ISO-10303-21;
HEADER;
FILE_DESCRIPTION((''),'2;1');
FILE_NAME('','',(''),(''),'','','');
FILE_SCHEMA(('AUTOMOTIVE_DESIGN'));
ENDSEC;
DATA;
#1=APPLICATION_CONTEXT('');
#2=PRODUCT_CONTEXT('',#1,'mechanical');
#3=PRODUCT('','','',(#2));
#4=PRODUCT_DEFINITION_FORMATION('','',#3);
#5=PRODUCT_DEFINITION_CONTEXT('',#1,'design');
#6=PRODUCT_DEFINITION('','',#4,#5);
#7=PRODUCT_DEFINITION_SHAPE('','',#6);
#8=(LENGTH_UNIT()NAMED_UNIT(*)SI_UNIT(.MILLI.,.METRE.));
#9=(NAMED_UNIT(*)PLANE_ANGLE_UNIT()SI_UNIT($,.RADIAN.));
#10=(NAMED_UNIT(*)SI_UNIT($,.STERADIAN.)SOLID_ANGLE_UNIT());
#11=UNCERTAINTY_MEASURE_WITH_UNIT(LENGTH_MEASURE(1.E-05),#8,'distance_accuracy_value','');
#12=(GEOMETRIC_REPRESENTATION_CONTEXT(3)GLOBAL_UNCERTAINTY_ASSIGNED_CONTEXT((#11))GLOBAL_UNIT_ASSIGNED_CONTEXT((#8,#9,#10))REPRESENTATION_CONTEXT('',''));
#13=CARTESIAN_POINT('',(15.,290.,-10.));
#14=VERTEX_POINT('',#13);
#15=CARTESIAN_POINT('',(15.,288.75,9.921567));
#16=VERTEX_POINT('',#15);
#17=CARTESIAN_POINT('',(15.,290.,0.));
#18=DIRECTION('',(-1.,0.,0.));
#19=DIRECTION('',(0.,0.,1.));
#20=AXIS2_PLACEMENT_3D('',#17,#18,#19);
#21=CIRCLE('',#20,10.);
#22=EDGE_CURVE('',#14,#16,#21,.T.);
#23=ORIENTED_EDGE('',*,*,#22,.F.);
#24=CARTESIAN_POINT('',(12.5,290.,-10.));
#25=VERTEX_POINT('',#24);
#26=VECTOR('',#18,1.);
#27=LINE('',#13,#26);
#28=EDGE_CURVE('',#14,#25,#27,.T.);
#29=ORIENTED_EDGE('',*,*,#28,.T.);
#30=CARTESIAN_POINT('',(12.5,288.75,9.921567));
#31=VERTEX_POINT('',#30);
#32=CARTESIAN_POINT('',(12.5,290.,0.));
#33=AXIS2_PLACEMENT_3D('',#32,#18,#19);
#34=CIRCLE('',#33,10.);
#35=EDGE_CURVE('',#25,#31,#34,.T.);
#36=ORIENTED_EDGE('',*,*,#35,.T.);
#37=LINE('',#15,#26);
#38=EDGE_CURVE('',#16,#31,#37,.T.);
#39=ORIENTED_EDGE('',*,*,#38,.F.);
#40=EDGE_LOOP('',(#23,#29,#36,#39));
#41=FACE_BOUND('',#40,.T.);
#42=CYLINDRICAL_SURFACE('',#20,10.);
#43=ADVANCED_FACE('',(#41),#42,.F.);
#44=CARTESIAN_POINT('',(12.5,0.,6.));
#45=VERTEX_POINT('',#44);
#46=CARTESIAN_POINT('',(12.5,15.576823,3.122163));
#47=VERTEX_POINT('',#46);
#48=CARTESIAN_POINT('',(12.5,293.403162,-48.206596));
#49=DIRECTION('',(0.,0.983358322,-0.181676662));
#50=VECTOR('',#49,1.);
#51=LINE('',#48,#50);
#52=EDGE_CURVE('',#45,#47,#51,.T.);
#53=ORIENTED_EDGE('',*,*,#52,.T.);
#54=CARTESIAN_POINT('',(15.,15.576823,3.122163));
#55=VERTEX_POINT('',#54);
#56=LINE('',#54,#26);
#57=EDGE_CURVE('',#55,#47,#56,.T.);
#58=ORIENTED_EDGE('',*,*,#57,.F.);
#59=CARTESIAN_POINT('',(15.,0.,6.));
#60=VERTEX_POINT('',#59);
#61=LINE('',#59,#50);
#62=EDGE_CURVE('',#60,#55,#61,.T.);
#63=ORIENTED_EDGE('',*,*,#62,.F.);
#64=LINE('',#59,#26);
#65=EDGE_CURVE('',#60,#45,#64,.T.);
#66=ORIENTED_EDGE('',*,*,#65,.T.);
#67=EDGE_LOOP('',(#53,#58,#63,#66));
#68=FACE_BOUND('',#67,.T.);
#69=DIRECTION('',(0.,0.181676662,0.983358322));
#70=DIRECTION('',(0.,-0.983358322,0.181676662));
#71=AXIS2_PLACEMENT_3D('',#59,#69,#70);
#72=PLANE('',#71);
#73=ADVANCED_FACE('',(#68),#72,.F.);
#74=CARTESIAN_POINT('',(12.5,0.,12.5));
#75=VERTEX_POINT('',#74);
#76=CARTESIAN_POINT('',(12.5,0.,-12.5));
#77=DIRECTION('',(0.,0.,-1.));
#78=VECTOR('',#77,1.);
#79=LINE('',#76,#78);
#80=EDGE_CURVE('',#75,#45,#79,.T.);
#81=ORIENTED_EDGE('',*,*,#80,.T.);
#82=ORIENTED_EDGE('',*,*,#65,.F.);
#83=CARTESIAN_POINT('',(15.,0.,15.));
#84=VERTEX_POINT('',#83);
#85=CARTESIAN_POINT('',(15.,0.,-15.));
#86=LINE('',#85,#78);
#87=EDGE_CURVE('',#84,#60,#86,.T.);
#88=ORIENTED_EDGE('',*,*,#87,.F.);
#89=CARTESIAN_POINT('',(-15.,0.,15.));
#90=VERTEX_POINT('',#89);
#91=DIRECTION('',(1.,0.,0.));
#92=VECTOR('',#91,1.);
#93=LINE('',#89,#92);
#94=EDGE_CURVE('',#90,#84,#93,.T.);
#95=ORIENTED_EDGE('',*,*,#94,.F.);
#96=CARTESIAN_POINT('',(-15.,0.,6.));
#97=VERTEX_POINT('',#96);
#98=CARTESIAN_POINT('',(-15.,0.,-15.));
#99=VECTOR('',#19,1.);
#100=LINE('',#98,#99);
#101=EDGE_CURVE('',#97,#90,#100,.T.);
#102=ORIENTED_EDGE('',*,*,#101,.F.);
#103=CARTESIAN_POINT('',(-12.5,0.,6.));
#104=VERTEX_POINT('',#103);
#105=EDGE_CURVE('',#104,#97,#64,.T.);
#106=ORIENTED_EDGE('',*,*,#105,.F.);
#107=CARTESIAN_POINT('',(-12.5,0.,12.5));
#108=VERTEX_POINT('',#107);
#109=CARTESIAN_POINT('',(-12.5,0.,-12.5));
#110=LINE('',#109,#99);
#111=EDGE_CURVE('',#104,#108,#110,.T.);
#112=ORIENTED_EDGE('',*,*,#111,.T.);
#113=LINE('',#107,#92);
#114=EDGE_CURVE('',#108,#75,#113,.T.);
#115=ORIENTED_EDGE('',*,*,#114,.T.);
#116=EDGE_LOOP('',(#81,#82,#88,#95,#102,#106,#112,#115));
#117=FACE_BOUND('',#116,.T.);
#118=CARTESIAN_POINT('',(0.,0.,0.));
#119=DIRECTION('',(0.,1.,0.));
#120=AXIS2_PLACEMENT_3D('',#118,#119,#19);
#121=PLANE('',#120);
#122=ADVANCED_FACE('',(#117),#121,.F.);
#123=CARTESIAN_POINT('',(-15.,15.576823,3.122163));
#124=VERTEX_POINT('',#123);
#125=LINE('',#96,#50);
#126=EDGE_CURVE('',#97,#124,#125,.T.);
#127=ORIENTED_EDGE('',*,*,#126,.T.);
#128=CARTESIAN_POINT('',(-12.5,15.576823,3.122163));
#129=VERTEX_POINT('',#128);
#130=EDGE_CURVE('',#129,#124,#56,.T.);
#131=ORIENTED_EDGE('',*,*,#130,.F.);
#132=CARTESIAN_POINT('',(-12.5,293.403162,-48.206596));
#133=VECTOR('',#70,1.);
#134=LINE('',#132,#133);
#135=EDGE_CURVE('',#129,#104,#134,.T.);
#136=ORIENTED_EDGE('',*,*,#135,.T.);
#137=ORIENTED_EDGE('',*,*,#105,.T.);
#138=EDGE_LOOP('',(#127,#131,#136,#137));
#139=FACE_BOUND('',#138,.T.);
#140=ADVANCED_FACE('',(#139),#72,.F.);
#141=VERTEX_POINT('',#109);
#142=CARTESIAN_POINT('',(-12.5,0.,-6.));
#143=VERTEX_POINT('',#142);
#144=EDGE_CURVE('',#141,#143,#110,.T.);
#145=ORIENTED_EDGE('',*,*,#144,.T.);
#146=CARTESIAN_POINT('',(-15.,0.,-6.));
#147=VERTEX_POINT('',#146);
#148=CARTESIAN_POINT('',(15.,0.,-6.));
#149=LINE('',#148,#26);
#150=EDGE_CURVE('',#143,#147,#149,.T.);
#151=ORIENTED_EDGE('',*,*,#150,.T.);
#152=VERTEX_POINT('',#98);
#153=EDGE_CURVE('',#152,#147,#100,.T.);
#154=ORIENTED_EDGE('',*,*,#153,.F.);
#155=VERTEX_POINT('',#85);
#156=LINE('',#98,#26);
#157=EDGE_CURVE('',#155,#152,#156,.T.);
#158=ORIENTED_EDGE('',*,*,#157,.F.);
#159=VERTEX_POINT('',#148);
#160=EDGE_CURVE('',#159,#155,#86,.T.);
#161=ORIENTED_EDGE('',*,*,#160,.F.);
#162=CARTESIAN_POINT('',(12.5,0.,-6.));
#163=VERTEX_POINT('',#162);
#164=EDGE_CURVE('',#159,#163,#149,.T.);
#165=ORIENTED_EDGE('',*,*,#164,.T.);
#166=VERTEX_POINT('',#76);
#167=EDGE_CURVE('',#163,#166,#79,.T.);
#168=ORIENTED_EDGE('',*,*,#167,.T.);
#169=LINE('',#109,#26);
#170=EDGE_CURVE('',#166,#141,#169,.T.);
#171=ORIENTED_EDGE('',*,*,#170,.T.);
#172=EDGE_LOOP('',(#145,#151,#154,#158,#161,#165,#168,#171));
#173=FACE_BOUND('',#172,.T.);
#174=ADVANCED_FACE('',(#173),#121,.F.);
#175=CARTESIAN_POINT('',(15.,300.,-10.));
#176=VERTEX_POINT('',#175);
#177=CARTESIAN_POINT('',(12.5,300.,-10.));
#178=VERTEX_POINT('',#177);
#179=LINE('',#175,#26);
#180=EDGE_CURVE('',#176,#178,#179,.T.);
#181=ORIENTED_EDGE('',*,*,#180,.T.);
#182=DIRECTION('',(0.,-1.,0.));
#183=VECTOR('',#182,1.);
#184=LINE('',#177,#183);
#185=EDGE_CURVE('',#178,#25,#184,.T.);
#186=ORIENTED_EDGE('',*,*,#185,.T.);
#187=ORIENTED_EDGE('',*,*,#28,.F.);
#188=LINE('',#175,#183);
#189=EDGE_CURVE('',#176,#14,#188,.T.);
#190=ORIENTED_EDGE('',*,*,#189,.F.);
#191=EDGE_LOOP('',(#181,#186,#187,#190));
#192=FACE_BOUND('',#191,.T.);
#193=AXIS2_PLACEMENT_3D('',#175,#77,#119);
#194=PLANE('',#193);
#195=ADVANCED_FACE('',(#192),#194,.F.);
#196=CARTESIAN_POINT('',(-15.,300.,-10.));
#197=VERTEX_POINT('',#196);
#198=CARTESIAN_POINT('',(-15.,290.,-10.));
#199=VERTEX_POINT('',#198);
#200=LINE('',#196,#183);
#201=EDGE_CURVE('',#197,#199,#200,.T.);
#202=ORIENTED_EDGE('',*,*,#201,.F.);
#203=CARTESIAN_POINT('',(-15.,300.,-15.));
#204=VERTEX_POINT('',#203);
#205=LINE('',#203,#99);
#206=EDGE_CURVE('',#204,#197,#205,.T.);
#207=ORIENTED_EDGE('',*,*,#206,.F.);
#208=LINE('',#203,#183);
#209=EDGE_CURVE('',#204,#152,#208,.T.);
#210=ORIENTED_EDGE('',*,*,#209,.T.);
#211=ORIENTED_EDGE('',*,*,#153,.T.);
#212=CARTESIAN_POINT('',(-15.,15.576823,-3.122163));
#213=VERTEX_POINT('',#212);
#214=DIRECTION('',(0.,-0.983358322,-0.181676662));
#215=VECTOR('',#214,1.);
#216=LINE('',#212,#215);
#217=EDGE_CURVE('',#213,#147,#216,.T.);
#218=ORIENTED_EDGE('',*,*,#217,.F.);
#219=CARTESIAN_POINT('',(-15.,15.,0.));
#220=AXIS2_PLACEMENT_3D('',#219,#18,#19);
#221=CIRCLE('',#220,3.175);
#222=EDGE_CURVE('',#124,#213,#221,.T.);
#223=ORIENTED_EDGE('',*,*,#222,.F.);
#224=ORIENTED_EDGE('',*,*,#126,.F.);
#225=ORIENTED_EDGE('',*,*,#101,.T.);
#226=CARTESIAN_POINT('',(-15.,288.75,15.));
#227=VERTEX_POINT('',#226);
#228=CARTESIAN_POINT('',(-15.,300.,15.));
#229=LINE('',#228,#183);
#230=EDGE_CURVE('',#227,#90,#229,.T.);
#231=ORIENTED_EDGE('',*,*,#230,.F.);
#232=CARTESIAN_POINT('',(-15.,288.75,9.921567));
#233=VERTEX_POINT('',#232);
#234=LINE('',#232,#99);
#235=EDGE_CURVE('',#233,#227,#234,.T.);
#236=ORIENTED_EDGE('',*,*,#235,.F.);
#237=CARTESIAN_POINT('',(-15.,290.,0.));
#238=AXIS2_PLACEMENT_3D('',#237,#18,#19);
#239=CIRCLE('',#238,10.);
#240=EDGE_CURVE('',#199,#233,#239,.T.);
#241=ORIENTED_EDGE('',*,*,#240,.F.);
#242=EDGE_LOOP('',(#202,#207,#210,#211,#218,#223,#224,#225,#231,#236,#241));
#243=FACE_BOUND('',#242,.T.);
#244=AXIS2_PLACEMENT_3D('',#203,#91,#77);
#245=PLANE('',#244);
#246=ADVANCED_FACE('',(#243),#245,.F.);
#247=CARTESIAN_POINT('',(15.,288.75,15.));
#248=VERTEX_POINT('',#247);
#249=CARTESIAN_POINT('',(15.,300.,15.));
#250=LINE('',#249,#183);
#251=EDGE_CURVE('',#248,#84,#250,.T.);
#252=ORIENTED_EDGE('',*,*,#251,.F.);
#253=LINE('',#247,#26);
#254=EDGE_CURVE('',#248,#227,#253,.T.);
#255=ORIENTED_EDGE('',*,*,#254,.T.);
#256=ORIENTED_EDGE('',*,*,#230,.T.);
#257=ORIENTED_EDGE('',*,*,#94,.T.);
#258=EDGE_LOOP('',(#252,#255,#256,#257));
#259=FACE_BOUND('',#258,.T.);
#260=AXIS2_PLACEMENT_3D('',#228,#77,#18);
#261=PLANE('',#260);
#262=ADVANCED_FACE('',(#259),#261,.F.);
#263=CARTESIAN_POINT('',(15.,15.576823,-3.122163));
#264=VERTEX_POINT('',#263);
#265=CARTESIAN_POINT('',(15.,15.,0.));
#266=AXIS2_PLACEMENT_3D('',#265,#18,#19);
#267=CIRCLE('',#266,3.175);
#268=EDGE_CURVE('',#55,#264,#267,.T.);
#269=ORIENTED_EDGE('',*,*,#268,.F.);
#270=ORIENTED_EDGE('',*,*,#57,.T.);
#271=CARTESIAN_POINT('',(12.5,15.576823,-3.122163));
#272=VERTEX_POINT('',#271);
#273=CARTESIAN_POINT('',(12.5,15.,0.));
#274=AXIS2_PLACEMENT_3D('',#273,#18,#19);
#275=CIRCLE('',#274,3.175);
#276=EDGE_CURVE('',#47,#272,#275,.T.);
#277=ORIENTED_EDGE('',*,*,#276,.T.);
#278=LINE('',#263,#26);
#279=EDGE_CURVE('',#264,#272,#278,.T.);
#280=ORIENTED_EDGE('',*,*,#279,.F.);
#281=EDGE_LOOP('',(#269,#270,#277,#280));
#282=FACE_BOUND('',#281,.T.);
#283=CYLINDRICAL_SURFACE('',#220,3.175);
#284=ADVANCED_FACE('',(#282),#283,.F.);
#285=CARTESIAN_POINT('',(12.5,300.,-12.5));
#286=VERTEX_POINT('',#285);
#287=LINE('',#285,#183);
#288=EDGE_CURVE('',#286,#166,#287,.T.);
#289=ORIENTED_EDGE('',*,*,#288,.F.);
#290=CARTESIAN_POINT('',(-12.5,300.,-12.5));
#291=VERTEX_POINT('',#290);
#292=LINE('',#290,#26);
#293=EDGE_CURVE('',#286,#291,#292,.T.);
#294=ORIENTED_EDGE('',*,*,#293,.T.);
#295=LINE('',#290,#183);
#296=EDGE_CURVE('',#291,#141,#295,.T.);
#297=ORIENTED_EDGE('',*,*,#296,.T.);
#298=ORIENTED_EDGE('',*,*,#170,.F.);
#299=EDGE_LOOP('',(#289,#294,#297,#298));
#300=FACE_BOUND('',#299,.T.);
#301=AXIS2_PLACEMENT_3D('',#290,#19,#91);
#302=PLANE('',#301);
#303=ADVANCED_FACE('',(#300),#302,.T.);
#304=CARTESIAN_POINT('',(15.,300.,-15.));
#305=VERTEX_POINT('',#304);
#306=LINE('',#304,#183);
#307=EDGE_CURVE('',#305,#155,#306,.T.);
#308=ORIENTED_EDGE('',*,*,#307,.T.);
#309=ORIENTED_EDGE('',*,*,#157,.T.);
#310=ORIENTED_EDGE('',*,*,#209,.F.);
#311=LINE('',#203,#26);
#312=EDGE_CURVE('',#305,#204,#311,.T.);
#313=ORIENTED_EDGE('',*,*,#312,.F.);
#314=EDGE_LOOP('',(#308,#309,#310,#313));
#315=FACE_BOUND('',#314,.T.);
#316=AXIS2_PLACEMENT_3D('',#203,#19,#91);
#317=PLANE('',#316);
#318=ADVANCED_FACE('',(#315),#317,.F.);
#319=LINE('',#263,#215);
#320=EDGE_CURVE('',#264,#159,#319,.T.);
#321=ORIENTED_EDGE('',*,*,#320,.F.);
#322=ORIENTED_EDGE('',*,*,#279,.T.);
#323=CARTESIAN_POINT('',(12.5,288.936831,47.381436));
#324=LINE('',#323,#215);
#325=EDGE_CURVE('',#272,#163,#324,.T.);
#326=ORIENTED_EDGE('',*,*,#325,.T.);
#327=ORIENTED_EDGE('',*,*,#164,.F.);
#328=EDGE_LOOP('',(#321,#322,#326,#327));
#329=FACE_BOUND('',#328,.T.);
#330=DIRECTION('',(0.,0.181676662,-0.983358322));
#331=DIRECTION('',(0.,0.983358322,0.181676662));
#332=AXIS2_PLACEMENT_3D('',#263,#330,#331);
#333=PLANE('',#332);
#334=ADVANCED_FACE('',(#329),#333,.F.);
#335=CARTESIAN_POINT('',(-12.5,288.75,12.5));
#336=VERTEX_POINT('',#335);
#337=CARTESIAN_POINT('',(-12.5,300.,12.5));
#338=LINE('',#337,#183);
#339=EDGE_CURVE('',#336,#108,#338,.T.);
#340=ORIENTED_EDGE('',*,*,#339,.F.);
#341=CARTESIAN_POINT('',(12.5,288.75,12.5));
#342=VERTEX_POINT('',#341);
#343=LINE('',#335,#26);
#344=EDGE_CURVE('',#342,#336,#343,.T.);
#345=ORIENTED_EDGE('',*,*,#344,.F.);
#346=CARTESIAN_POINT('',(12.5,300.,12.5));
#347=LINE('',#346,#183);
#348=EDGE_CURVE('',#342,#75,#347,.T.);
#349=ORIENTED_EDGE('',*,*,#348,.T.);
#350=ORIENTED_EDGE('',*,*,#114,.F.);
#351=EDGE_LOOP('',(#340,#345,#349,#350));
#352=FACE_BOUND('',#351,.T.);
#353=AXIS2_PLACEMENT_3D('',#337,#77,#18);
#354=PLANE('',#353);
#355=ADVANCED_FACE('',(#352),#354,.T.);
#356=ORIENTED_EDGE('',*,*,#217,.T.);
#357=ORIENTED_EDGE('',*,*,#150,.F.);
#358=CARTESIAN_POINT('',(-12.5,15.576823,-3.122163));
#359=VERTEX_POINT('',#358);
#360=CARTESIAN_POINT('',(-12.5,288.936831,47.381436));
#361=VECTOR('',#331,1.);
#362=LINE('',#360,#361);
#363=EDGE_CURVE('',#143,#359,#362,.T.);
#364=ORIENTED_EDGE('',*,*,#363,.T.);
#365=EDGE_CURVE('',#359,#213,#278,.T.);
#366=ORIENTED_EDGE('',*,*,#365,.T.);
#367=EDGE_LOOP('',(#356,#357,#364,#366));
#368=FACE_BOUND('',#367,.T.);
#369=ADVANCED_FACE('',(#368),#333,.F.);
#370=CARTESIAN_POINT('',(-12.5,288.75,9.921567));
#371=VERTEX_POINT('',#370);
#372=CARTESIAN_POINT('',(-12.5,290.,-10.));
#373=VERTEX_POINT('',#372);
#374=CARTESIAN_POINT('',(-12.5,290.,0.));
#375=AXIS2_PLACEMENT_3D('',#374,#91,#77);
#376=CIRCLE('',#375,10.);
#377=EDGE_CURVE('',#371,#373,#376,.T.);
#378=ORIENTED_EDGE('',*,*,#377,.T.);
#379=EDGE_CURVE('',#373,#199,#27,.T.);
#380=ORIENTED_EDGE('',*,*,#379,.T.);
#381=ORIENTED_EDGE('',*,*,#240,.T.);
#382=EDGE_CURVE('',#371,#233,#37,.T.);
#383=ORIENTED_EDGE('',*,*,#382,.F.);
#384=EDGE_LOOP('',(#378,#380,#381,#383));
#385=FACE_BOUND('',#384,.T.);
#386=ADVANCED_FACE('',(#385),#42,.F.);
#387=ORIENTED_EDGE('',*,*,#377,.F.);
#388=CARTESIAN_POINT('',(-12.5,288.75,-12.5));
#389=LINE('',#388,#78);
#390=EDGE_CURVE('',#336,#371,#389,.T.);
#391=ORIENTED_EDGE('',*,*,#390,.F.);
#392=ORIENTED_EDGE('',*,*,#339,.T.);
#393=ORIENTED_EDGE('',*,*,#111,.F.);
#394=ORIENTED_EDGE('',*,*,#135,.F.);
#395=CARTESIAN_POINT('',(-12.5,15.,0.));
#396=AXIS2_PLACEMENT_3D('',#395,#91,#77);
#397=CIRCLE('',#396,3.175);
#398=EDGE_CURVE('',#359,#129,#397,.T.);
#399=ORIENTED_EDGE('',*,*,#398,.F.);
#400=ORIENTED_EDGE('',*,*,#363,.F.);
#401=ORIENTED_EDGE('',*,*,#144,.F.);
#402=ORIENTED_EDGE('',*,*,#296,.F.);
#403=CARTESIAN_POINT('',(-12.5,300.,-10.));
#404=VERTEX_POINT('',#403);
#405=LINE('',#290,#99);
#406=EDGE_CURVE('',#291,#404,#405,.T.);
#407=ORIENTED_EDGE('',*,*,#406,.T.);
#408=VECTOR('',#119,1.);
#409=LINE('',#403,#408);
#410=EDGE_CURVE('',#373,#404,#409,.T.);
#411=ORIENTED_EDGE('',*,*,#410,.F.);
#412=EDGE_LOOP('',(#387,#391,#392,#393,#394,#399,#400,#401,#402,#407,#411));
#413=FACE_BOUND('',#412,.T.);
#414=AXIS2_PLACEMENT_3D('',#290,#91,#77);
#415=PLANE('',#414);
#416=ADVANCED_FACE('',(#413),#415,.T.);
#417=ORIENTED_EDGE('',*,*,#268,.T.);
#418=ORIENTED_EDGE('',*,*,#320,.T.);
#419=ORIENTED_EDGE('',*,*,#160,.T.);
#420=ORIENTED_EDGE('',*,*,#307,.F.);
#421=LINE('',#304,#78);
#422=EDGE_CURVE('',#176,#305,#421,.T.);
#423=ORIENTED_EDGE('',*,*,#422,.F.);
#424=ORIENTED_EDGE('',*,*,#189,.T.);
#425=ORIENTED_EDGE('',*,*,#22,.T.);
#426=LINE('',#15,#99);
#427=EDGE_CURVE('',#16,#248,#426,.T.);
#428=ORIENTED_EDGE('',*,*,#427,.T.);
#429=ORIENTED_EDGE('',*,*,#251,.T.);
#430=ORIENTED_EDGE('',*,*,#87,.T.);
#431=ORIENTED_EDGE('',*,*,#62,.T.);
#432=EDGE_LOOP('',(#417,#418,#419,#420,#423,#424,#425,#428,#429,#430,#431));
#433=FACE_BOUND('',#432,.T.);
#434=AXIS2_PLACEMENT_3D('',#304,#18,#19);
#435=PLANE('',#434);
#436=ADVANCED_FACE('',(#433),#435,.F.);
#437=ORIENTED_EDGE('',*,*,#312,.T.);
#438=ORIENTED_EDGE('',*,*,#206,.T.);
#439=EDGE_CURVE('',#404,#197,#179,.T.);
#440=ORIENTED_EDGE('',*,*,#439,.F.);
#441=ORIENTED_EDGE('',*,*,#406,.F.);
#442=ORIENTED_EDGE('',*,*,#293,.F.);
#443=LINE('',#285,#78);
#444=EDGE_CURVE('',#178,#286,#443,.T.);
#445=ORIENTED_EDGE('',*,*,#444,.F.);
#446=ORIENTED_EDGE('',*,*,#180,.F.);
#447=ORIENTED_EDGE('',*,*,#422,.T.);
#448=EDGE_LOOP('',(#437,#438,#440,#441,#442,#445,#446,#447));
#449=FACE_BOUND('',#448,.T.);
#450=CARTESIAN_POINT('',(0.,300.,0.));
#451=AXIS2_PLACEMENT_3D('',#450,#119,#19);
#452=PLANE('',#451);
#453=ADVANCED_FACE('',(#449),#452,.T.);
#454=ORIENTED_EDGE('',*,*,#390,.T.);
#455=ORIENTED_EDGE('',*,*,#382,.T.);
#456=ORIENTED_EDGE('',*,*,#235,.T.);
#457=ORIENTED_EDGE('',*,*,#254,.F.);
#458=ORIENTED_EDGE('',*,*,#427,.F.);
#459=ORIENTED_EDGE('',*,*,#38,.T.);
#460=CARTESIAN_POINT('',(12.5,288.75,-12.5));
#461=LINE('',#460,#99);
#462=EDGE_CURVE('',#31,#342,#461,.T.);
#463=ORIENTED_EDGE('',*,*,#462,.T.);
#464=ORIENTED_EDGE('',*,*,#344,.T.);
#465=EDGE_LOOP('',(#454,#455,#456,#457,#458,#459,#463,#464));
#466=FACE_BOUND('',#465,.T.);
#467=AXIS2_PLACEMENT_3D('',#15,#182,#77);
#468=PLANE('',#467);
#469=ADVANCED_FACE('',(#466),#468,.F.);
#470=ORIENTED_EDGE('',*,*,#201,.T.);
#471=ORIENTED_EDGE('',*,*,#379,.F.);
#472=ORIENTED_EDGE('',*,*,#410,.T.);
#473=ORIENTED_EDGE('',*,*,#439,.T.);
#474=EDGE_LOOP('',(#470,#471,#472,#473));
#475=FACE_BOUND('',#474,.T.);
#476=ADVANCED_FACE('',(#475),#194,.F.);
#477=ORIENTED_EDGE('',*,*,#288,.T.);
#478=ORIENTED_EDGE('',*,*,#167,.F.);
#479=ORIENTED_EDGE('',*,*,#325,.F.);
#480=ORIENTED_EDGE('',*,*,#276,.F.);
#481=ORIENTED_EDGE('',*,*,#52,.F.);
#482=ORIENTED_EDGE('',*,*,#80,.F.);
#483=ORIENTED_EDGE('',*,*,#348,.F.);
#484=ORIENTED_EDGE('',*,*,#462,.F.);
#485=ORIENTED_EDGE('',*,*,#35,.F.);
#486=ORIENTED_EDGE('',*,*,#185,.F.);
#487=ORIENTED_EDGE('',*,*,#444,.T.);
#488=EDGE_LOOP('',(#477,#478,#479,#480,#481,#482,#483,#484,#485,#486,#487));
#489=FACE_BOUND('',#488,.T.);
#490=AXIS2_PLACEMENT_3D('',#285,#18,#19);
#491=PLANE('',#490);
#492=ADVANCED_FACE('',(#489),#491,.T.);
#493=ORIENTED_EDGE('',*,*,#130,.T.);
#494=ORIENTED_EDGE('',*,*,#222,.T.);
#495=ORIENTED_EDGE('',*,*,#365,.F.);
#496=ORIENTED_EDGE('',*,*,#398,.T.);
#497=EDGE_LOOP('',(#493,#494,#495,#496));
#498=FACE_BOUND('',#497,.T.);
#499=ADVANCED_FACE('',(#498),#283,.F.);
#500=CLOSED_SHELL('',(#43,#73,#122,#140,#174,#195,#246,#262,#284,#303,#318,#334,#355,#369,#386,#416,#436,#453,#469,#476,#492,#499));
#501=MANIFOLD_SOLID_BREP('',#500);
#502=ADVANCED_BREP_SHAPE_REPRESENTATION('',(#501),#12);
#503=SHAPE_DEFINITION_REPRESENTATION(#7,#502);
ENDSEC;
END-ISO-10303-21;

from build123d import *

# Parameters (mm, degrees)
SKETCH1_W                   = 30
SKETCH1_H                   = 30
SKETCH1_W_2                 = 25
SKETCH1_H_2                 = 25
BOSS_EXTRUDE1_DEPTH         = 300
F_1_4_0_25_DIAMETER_HOLE1_D = 6.35
CUT_EXTRUDE1_DEPTH          = 302.869176962
CUT_EXTRUDE2_DEPTH          = 302.869176962


with BuildPart() as part:
    # Sketch1 → Boss-Extrude1 (new body)
    with BuildSketch(Plane(origin=(0, 0, 0), x_dir=(1, 0, 0), z_dir=(0, 1, 0))):
        Rectangle(SKETCH1_W, SKETCH1_H)
        Rectangle(SKETCH1_W_2, SKETCH1_H_2, mode=Mode.SUBTRACT)
    extrude(amount=BOSS_EXTRUDE1_DEPTH)

    # 1/4 (0.25) Diameter Hole1 (through all)
    with Locations(Plane.ZY.offset(15)):
        with Locations((0, 15)):
            Hole(F_1_4_0_25_DIAMETER_HOLE1_D / 2)

    # Sketch4 → Cut-Extrude1 (cut, through all)
    with BuildSketch(Plane.ZY.offset(15)):
        with BuildLine():
            Line((-10, 300), (-10, 290))
            ThreePointArc((-10, 290), (-0.626229125, 280.019627408), (9.921567416, 288.75))
            Line((9.921567416, 288.75), (15, 288.75))
            Line((15, 288.75), (15, 300))
            Line((15, 300), (-10, 300))
        make_face()
    extrude(amount=-CUT_EXTRUDE1_DEPTH, mode=Mode.SUBTRACT)

    # Sketch5 → Cut-Extrude2 (cut, through all)
    with BuildSketch(Plane.ZY.offset(15)):
        with BuildLine():
            Line((-3.122162674, 15.576823403), (-6, 0))
            Line((-6, 0), (6, 0))
            Line((6, 0), (3.122162674, 15.576823403))
            ThreePointArc((3.122162674, 15.576823403), (0, 18.175), (-3.122162674, 15.576823403))
        make_face()
    extrude(amount=-CUT_EXTRUDE2_DEPTH, mode=Mode.SUBTRACT)


solid = part.part
